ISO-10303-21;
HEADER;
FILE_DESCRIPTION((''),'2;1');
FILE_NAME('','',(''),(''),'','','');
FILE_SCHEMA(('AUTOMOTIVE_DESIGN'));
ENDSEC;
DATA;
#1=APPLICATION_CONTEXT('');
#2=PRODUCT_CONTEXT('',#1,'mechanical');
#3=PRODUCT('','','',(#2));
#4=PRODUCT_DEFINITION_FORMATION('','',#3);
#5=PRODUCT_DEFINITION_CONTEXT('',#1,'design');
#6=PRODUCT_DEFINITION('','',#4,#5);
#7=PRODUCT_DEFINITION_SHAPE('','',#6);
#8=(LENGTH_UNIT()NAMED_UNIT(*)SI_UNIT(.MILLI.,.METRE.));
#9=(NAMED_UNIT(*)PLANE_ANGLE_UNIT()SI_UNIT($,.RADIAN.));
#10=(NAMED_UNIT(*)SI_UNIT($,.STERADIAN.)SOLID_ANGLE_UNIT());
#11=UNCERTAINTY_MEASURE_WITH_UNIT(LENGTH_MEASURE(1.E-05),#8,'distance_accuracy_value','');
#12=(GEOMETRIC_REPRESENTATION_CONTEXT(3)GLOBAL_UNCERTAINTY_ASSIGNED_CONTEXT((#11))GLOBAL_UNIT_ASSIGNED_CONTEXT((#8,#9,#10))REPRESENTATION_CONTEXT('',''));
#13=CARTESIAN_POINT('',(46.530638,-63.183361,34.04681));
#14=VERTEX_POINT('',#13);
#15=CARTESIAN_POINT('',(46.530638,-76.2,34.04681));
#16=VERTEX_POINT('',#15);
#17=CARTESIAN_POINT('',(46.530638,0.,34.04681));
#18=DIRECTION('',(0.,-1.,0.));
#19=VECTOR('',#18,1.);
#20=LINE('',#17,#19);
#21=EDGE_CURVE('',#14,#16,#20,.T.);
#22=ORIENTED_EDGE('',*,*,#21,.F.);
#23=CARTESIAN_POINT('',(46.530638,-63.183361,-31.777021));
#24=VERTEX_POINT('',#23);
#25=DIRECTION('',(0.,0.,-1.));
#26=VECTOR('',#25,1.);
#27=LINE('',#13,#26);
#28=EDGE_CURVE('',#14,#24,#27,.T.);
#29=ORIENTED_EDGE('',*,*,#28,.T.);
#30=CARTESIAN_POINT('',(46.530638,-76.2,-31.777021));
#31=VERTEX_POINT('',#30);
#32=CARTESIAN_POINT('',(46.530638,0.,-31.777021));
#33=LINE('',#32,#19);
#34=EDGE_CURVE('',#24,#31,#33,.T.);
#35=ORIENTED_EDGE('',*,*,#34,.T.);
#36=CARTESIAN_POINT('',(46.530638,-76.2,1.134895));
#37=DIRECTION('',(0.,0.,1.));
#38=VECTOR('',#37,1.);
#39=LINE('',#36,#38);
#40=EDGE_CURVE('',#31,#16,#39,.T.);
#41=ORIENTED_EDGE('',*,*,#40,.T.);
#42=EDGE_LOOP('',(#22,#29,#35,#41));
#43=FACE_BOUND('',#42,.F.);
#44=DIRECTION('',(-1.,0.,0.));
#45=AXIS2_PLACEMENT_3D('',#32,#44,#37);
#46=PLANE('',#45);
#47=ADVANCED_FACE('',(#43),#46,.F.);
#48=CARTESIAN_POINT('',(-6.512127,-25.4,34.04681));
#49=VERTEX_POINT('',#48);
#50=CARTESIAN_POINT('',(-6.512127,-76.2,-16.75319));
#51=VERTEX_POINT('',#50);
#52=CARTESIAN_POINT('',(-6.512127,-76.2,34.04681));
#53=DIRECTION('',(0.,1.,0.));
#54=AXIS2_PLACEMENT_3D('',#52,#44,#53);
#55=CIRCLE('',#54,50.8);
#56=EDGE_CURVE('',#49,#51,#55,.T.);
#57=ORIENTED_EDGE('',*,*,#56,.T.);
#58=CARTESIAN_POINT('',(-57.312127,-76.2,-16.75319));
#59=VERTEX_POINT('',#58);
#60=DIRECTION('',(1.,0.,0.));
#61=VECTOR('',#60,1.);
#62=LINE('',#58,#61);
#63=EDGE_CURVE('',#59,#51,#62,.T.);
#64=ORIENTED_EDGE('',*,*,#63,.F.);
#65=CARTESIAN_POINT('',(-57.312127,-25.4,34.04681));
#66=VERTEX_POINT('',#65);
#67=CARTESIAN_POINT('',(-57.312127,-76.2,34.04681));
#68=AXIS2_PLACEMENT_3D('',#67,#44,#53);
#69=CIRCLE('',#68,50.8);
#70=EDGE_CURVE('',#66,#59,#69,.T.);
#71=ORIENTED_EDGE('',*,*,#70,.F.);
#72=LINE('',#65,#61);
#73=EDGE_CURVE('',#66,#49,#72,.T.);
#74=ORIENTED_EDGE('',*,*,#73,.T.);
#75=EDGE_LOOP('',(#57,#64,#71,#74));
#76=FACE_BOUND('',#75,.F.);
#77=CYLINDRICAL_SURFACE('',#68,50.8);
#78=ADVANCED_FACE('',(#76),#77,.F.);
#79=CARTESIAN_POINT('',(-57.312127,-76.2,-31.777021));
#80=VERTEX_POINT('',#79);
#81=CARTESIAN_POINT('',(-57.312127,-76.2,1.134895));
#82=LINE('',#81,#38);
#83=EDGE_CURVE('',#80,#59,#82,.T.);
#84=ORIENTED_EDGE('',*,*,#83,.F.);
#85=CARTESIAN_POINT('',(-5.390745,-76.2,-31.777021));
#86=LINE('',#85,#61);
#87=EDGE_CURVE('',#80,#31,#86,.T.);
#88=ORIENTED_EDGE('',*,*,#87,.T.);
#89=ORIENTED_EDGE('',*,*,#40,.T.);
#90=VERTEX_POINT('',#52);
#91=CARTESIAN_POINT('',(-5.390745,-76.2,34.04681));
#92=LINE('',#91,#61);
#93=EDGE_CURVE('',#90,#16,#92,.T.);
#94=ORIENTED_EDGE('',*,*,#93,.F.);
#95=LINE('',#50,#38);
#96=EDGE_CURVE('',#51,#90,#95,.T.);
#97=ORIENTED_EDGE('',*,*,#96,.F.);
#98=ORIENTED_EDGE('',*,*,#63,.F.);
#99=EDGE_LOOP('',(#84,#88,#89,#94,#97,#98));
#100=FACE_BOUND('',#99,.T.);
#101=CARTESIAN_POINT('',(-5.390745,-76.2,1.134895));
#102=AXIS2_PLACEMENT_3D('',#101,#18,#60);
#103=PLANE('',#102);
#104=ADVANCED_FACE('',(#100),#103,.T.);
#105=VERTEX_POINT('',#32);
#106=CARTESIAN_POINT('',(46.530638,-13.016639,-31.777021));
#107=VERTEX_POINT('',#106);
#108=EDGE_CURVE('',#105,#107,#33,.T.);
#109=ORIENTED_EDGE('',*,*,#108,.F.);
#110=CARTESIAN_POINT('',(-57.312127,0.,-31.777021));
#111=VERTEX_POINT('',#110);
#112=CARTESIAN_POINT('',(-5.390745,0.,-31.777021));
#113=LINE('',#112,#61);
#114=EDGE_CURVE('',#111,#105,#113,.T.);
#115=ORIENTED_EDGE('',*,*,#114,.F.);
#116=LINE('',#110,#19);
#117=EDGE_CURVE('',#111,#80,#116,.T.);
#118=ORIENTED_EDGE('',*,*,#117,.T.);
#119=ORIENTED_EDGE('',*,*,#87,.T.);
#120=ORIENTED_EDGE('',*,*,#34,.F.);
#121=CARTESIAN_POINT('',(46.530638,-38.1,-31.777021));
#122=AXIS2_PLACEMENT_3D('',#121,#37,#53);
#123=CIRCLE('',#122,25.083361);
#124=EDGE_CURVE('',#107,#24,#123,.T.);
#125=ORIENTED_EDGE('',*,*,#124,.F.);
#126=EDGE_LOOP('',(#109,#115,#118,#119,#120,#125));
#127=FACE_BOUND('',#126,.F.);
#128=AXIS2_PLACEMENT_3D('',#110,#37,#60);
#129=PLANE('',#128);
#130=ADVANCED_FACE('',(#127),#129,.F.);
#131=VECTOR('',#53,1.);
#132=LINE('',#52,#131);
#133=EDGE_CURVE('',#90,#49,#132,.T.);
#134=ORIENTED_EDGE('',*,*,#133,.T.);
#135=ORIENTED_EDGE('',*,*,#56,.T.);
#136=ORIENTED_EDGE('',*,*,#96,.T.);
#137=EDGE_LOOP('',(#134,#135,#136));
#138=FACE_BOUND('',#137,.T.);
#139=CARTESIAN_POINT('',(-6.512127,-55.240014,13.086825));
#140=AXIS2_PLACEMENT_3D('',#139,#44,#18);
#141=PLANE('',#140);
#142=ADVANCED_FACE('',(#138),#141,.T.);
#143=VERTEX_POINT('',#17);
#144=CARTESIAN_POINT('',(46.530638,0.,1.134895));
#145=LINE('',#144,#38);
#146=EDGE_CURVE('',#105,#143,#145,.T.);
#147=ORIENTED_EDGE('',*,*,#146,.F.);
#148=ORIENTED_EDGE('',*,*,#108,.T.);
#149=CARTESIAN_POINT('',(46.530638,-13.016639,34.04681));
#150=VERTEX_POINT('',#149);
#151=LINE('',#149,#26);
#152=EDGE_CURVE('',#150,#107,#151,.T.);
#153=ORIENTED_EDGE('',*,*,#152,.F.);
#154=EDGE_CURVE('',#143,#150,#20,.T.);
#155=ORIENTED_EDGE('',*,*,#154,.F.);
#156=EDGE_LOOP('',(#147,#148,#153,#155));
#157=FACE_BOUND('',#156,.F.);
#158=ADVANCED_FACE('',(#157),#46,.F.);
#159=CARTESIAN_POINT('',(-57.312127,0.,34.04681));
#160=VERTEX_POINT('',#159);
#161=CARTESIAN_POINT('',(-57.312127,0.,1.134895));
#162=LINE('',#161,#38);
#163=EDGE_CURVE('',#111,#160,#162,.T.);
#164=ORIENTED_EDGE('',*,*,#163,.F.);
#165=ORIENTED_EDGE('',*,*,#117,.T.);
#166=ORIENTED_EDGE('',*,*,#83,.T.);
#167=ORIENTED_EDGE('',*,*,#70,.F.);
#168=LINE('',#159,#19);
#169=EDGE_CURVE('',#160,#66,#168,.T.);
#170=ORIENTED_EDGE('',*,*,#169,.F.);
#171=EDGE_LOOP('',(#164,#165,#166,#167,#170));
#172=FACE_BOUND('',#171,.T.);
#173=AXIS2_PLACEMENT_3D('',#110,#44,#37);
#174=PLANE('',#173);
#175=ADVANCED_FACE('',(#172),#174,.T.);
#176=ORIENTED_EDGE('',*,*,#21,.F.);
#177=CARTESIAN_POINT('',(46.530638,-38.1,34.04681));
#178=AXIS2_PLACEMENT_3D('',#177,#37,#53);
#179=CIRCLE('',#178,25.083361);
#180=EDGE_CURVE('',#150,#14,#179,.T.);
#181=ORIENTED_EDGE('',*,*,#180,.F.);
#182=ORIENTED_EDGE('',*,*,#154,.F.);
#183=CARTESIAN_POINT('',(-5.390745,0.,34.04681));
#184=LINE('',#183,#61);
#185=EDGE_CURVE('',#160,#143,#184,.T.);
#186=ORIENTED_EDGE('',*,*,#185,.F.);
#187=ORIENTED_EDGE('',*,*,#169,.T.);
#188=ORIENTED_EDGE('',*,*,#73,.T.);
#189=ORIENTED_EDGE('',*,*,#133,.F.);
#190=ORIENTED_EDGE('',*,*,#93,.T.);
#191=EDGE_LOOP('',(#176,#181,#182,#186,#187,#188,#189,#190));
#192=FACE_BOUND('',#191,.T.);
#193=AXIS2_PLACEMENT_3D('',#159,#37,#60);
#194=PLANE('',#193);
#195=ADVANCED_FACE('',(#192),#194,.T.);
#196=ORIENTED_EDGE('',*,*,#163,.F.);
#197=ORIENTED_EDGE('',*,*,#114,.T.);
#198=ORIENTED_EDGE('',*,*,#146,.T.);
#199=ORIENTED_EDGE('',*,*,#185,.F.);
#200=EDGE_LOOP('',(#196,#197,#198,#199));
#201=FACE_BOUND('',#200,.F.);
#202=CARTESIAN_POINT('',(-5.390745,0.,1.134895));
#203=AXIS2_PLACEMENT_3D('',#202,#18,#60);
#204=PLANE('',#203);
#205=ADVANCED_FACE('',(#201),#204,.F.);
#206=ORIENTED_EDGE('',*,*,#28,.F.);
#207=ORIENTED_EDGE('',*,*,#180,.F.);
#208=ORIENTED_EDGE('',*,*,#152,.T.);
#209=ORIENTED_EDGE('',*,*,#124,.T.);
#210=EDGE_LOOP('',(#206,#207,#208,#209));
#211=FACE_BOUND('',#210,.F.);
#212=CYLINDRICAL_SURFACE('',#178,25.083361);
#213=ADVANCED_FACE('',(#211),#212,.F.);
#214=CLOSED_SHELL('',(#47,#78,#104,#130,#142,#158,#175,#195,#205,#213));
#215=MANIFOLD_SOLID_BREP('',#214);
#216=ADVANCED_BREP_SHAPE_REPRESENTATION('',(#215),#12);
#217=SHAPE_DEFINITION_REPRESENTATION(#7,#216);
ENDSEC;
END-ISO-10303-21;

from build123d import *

# Parameters (mm, degrees)
F0_W     = 103.8427650928
F0_H     = 65.8238306642
F1_DEPTH = 76.2
F3_DEPTH = 69.596
F5_DEPTH = 50.8


with BuildPart() as f1:
    # F0 (on Front) → F1 (new body)
    with BuildSketch(Plane.XZ):
        with Locations((-5.3907446563, 1.1348947883)):
            Rectangle(F0_W, F0_H)
    extrude(amount=F1_DEPTH)

    # F2 (on face) → F3 (cut)
    with BuildSketch(Plane.XY.offset(34.0468101203)):
        with BuildLine():
            Line((46.5306378901, -63.1833607248), (46.5306378901, -13.0166392752))
            ThreePointArc((46.5306378901, -13.0166392752), (21.4472771653, -38.1), (46.5306378901, -63.1833607248))
        make_face()
    extrude(amount=-F3_DEPTH, mode=Mode.SUBTRACT)

    # F4 (on face) → F5 (cut)
    with BuildSketch(Plane(origin=(-57.3121272027, 0, 0), x_dir=(0, -1, 0), z_dir=(-1, 0, 0))):
        with BuildLine():
            ThreePointArc((25.4, 34.0468101203), (40.2789755157, -1.8742143639), (76.2, -16.7531898797))
            Line((76.2, -16.7531898797), (76.2, 34.0468101203))
            Line((76.2, 34.0468101203), (25.4, 34.0468101203))
        make_face()
    extrude(amount=-F5_DEPTH, mode=Mode.SUBTRACT)


solid = f1.part
